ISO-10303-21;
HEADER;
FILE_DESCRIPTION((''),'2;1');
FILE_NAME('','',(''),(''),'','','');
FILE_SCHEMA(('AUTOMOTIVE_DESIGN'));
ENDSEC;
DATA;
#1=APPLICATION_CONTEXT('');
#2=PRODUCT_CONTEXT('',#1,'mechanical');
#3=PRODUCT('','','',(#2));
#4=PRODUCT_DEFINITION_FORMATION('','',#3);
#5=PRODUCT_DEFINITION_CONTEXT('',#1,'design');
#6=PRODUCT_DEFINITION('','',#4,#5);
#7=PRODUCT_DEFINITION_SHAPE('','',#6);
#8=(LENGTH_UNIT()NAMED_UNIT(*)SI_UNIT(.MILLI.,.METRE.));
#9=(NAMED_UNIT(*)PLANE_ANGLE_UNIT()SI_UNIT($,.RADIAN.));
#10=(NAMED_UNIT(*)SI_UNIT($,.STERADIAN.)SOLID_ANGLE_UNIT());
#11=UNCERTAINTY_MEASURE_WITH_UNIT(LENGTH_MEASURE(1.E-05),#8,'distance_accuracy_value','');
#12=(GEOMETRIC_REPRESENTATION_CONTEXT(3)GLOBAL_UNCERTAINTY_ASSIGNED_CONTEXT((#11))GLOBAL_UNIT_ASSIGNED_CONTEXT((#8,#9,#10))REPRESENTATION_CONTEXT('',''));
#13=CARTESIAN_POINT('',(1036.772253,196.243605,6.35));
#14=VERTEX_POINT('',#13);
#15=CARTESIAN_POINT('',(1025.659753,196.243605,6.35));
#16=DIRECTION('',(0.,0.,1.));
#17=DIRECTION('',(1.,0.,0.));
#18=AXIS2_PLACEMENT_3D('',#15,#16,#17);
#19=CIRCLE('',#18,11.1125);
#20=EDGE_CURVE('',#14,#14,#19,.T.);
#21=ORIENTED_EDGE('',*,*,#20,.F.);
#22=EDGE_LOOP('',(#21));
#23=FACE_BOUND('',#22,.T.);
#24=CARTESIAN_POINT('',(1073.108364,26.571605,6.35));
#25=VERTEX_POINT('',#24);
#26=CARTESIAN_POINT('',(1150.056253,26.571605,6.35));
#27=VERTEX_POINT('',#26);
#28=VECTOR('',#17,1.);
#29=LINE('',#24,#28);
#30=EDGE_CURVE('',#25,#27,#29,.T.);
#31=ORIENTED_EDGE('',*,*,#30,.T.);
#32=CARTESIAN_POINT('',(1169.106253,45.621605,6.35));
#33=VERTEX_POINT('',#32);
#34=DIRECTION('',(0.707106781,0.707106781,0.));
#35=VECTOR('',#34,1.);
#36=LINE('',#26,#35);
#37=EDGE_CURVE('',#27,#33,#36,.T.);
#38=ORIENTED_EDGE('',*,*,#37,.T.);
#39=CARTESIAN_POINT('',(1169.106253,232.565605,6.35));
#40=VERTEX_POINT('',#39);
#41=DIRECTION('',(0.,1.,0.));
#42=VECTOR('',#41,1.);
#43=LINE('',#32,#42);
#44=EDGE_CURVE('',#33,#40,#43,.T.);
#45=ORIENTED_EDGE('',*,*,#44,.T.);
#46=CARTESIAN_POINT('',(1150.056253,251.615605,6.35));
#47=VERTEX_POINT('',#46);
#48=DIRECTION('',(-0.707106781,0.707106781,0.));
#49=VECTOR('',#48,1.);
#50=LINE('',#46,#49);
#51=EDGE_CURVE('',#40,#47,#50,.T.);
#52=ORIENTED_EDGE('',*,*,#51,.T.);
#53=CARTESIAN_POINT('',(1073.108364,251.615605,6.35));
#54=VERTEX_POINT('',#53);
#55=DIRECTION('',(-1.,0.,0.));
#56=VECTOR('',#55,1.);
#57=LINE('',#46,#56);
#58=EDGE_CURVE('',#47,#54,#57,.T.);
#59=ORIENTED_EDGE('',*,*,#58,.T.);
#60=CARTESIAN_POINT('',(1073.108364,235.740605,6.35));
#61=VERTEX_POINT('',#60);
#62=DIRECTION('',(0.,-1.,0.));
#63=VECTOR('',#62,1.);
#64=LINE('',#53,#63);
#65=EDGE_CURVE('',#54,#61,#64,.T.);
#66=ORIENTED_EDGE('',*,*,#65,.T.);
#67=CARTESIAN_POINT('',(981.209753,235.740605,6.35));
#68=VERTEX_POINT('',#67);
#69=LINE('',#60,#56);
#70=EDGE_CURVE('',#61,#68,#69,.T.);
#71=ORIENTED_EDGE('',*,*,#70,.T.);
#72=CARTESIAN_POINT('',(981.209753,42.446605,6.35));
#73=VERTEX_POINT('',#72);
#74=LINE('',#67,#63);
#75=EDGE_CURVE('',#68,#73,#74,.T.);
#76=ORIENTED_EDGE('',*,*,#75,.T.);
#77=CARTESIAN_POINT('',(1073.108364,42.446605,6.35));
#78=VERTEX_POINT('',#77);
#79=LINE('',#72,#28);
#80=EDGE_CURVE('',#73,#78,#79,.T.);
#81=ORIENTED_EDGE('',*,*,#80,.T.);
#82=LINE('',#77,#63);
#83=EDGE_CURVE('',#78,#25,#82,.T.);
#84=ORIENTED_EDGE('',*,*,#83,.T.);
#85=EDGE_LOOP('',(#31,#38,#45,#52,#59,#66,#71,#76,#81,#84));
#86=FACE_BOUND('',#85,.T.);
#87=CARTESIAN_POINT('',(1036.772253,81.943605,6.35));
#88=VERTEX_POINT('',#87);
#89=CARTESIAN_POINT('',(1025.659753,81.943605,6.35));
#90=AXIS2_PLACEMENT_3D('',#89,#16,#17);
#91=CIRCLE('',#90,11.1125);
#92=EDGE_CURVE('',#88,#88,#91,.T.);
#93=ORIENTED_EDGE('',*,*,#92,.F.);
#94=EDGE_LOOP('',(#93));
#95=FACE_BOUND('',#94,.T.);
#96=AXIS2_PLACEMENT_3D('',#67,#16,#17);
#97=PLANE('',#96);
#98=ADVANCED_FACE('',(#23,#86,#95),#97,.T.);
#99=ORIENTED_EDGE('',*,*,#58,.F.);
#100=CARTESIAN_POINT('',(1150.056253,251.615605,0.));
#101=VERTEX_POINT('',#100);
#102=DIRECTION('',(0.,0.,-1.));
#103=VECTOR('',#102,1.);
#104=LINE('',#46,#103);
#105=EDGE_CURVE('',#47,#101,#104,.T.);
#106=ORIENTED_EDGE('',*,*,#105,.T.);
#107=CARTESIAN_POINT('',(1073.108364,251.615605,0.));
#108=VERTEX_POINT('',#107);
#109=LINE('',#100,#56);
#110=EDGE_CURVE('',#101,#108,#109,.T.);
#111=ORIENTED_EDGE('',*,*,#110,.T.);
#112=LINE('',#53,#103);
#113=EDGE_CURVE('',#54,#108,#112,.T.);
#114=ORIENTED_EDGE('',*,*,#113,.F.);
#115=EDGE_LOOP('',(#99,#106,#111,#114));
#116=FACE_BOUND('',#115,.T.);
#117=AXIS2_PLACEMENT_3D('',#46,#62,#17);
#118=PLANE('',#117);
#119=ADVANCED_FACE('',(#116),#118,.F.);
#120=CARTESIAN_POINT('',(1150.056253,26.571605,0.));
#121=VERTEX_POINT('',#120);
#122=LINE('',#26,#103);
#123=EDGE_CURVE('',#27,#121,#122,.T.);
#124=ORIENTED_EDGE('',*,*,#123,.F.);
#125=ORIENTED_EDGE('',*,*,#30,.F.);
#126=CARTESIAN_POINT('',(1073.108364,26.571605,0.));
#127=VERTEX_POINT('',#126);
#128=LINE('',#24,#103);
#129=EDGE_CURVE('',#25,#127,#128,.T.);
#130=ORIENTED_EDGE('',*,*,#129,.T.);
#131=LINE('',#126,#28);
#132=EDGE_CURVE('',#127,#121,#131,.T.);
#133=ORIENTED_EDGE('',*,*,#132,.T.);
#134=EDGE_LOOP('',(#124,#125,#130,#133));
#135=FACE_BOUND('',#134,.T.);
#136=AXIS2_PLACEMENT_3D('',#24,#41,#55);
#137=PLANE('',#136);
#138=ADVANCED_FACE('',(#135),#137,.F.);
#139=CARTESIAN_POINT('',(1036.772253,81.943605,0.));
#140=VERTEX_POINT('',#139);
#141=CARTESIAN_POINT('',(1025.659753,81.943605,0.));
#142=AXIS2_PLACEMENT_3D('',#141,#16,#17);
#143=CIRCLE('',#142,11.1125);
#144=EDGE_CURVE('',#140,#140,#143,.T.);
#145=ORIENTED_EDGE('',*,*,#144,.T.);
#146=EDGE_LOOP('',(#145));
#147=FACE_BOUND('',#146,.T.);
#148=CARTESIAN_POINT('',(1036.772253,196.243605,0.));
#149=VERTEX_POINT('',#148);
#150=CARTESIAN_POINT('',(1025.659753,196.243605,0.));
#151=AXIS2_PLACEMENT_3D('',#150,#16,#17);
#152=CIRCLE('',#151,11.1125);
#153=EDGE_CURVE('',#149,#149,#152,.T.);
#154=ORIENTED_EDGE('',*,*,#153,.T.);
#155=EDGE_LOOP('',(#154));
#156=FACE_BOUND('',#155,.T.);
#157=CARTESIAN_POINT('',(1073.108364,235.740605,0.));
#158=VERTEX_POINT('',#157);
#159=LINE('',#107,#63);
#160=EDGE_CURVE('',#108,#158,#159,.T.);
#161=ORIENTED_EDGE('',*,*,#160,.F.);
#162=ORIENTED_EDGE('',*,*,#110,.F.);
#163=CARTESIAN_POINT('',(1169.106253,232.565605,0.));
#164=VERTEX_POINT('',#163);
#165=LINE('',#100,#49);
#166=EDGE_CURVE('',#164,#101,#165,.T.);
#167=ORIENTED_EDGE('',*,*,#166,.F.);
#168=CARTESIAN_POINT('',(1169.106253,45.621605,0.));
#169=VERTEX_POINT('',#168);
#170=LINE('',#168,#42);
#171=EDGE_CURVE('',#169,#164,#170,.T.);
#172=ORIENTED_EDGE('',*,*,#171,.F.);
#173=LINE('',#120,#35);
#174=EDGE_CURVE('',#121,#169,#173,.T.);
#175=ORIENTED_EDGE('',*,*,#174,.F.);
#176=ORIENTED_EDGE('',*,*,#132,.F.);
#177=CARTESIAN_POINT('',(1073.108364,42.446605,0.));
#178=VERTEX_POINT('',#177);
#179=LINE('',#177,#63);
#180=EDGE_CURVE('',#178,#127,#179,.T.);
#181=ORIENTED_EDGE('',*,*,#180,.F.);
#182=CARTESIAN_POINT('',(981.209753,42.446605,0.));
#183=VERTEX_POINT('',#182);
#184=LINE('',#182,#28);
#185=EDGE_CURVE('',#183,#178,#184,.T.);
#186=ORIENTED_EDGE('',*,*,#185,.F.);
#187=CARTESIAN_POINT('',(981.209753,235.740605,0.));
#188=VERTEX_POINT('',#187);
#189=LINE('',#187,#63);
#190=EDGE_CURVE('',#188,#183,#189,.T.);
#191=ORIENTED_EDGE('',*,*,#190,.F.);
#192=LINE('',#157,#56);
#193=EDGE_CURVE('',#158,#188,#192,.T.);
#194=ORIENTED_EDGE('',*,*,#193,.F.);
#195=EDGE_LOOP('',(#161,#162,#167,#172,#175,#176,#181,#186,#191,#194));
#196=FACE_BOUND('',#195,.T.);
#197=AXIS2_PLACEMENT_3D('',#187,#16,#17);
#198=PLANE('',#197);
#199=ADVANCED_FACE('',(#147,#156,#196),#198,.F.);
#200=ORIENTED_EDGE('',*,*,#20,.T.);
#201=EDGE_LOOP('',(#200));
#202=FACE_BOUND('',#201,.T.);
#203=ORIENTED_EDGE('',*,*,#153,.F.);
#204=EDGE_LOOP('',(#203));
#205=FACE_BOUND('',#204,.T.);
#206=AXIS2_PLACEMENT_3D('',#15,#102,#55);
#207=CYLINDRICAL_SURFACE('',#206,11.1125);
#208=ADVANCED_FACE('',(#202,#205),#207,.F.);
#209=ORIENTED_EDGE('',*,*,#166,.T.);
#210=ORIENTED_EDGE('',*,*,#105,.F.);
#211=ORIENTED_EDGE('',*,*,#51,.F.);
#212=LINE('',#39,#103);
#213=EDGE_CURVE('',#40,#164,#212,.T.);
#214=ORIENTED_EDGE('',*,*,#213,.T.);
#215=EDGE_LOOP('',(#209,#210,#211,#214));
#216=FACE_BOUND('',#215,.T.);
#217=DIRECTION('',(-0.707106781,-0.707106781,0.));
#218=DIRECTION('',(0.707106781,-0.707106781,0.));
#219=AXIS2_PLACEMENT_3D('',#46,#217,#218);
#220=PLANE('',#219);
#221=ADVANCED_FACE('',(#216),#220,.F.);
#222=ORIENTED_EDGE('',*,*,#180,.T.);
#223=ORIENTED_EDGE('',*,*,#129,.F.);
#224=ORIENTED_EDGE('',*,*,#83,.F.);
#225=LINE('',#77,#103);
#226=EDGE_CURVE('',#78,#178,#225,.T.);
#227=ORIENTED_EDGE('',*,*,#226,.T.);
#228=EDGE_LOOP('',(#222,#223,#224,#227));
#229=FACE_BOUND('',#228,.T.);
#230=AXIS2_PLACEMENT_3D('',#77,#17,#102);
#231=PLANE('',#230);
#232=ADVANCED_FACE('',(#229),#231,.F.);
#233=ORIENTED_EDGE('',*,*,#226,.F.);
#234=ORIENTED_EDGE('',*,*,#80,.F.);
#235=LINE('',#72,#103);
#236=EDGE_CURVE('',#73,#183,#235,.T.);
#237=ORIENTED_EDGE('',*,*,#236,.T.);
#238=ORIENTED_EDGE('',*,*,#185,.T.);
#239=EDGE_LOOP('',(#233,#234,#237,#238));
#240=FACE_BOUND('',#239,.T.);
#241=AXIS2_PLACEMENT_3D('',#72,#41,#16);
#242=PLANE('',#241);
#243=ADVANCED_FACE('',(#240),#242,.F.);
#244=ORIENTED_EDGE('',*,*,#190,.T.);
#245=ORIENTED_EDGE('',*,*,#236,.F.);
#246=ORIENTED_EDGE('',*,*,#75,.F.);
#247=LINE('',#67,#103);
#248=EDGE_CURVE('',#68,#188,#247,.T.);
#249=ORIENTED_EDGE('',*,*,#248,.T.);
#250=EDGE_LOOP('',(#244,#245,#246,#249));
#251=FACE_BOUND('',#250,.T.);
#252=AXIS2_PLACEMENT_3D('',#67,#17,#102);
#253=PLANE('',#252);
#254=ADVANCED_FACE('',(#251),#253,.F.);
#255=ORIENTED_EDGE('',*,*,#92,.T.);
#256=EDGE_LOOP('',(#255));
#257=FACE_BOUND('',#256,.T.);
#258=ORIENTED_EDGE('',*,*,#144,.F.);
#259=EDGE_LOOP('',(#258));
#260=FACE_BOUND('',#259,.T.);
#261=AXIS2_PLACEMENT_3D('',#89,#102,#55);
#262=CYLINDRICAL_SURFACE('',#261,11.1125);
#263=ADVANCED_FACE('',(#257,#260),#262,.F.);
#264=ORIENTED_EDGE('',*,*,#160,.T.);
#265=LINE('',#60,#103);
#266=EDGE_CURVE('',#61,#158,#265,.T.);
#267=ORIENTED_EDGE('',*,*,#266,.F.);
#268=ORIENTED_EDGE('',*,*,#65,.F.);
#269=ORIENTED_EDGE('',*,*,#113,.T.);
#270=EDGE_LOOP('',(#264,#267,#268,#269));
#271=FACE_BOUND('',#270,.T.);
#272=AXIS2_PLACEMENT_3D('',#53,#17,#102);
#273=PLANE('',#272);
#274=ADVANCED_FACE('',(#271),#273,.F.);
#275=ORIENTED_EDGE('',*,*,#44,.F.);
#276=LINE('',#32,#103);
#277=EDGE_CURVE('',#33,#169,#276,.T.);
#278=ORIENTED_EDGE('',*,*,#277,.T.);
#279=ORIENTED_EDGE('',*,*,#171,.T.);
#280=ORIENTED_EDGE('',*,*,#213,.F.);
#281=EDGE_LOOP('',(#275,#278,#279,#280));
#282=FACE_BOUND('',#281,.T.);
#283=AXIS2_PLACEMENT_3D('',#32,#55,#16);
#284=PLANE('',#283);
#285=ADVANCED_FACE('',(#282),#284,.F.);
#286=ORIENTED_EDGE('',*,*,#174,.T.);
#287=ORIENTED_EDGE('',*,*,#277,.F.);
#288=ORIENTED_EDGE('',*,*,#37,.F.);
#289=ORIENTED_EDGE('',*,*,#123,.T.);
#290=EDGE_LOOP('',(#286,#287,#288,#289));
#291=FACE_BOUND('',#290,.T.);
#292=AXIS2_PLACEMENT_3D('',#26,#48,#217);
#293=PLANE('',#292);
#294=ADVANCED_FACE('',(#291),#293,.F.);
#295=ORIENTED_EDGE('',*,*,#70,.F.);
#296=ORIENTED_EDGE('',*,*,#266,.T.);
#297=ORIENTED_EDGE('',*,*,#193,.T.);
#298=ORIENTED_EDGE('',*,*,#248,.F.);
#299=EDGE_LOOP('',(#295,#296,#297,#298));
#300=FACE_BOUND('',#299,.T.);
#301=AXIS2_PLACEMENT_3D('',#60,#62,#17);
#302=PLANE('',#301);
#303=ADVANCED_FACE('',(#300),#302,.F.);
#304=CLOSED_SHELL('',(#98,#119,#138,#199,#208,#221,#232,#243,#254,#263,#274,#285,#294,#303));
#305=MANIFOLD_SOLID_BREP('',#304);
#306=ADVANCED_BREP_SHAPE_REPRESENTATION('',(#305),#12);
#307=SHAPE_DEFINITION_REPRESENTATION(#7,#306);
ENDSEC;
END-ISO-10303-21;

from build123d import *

# Parameters (mm, degrees)
SKETCH1_R           = 11.1125
BOSS_EXTRUDE1_DEPTH = 6.35


with BuildPart() as part:
    # Sketch1 → Boss-Extrude1 (new body)
    with BuildSketch(Plane.XY):
        Polygon((981.209753019, 235.740604852), (981.209753019, 42.446604852), (1073.10836413, 42.446604852), (1073.10836413, 26.571604852), (1150.056253019, 26.571604852), (1169.106253019, 45.621604852), (1169.106253019, 232.565604852), (1150.056253019, 251.615604852), (1073.10836413, 251.615604852), (1073.10836413, 235.740604852), align=None)
        with Locations((1025.659753019, 196.243604852)):
            Circle(SKETCH1_R, mode=Mode.SUBTRACT)
        with Locations((1025.659753019, 81.943604852)):
            Circle(SKETCH1_R, mode=Mode.SUBTRACT)
    extrude(amount=BOSS_EXTRUDE1_DEPTH)


solid = part.part
